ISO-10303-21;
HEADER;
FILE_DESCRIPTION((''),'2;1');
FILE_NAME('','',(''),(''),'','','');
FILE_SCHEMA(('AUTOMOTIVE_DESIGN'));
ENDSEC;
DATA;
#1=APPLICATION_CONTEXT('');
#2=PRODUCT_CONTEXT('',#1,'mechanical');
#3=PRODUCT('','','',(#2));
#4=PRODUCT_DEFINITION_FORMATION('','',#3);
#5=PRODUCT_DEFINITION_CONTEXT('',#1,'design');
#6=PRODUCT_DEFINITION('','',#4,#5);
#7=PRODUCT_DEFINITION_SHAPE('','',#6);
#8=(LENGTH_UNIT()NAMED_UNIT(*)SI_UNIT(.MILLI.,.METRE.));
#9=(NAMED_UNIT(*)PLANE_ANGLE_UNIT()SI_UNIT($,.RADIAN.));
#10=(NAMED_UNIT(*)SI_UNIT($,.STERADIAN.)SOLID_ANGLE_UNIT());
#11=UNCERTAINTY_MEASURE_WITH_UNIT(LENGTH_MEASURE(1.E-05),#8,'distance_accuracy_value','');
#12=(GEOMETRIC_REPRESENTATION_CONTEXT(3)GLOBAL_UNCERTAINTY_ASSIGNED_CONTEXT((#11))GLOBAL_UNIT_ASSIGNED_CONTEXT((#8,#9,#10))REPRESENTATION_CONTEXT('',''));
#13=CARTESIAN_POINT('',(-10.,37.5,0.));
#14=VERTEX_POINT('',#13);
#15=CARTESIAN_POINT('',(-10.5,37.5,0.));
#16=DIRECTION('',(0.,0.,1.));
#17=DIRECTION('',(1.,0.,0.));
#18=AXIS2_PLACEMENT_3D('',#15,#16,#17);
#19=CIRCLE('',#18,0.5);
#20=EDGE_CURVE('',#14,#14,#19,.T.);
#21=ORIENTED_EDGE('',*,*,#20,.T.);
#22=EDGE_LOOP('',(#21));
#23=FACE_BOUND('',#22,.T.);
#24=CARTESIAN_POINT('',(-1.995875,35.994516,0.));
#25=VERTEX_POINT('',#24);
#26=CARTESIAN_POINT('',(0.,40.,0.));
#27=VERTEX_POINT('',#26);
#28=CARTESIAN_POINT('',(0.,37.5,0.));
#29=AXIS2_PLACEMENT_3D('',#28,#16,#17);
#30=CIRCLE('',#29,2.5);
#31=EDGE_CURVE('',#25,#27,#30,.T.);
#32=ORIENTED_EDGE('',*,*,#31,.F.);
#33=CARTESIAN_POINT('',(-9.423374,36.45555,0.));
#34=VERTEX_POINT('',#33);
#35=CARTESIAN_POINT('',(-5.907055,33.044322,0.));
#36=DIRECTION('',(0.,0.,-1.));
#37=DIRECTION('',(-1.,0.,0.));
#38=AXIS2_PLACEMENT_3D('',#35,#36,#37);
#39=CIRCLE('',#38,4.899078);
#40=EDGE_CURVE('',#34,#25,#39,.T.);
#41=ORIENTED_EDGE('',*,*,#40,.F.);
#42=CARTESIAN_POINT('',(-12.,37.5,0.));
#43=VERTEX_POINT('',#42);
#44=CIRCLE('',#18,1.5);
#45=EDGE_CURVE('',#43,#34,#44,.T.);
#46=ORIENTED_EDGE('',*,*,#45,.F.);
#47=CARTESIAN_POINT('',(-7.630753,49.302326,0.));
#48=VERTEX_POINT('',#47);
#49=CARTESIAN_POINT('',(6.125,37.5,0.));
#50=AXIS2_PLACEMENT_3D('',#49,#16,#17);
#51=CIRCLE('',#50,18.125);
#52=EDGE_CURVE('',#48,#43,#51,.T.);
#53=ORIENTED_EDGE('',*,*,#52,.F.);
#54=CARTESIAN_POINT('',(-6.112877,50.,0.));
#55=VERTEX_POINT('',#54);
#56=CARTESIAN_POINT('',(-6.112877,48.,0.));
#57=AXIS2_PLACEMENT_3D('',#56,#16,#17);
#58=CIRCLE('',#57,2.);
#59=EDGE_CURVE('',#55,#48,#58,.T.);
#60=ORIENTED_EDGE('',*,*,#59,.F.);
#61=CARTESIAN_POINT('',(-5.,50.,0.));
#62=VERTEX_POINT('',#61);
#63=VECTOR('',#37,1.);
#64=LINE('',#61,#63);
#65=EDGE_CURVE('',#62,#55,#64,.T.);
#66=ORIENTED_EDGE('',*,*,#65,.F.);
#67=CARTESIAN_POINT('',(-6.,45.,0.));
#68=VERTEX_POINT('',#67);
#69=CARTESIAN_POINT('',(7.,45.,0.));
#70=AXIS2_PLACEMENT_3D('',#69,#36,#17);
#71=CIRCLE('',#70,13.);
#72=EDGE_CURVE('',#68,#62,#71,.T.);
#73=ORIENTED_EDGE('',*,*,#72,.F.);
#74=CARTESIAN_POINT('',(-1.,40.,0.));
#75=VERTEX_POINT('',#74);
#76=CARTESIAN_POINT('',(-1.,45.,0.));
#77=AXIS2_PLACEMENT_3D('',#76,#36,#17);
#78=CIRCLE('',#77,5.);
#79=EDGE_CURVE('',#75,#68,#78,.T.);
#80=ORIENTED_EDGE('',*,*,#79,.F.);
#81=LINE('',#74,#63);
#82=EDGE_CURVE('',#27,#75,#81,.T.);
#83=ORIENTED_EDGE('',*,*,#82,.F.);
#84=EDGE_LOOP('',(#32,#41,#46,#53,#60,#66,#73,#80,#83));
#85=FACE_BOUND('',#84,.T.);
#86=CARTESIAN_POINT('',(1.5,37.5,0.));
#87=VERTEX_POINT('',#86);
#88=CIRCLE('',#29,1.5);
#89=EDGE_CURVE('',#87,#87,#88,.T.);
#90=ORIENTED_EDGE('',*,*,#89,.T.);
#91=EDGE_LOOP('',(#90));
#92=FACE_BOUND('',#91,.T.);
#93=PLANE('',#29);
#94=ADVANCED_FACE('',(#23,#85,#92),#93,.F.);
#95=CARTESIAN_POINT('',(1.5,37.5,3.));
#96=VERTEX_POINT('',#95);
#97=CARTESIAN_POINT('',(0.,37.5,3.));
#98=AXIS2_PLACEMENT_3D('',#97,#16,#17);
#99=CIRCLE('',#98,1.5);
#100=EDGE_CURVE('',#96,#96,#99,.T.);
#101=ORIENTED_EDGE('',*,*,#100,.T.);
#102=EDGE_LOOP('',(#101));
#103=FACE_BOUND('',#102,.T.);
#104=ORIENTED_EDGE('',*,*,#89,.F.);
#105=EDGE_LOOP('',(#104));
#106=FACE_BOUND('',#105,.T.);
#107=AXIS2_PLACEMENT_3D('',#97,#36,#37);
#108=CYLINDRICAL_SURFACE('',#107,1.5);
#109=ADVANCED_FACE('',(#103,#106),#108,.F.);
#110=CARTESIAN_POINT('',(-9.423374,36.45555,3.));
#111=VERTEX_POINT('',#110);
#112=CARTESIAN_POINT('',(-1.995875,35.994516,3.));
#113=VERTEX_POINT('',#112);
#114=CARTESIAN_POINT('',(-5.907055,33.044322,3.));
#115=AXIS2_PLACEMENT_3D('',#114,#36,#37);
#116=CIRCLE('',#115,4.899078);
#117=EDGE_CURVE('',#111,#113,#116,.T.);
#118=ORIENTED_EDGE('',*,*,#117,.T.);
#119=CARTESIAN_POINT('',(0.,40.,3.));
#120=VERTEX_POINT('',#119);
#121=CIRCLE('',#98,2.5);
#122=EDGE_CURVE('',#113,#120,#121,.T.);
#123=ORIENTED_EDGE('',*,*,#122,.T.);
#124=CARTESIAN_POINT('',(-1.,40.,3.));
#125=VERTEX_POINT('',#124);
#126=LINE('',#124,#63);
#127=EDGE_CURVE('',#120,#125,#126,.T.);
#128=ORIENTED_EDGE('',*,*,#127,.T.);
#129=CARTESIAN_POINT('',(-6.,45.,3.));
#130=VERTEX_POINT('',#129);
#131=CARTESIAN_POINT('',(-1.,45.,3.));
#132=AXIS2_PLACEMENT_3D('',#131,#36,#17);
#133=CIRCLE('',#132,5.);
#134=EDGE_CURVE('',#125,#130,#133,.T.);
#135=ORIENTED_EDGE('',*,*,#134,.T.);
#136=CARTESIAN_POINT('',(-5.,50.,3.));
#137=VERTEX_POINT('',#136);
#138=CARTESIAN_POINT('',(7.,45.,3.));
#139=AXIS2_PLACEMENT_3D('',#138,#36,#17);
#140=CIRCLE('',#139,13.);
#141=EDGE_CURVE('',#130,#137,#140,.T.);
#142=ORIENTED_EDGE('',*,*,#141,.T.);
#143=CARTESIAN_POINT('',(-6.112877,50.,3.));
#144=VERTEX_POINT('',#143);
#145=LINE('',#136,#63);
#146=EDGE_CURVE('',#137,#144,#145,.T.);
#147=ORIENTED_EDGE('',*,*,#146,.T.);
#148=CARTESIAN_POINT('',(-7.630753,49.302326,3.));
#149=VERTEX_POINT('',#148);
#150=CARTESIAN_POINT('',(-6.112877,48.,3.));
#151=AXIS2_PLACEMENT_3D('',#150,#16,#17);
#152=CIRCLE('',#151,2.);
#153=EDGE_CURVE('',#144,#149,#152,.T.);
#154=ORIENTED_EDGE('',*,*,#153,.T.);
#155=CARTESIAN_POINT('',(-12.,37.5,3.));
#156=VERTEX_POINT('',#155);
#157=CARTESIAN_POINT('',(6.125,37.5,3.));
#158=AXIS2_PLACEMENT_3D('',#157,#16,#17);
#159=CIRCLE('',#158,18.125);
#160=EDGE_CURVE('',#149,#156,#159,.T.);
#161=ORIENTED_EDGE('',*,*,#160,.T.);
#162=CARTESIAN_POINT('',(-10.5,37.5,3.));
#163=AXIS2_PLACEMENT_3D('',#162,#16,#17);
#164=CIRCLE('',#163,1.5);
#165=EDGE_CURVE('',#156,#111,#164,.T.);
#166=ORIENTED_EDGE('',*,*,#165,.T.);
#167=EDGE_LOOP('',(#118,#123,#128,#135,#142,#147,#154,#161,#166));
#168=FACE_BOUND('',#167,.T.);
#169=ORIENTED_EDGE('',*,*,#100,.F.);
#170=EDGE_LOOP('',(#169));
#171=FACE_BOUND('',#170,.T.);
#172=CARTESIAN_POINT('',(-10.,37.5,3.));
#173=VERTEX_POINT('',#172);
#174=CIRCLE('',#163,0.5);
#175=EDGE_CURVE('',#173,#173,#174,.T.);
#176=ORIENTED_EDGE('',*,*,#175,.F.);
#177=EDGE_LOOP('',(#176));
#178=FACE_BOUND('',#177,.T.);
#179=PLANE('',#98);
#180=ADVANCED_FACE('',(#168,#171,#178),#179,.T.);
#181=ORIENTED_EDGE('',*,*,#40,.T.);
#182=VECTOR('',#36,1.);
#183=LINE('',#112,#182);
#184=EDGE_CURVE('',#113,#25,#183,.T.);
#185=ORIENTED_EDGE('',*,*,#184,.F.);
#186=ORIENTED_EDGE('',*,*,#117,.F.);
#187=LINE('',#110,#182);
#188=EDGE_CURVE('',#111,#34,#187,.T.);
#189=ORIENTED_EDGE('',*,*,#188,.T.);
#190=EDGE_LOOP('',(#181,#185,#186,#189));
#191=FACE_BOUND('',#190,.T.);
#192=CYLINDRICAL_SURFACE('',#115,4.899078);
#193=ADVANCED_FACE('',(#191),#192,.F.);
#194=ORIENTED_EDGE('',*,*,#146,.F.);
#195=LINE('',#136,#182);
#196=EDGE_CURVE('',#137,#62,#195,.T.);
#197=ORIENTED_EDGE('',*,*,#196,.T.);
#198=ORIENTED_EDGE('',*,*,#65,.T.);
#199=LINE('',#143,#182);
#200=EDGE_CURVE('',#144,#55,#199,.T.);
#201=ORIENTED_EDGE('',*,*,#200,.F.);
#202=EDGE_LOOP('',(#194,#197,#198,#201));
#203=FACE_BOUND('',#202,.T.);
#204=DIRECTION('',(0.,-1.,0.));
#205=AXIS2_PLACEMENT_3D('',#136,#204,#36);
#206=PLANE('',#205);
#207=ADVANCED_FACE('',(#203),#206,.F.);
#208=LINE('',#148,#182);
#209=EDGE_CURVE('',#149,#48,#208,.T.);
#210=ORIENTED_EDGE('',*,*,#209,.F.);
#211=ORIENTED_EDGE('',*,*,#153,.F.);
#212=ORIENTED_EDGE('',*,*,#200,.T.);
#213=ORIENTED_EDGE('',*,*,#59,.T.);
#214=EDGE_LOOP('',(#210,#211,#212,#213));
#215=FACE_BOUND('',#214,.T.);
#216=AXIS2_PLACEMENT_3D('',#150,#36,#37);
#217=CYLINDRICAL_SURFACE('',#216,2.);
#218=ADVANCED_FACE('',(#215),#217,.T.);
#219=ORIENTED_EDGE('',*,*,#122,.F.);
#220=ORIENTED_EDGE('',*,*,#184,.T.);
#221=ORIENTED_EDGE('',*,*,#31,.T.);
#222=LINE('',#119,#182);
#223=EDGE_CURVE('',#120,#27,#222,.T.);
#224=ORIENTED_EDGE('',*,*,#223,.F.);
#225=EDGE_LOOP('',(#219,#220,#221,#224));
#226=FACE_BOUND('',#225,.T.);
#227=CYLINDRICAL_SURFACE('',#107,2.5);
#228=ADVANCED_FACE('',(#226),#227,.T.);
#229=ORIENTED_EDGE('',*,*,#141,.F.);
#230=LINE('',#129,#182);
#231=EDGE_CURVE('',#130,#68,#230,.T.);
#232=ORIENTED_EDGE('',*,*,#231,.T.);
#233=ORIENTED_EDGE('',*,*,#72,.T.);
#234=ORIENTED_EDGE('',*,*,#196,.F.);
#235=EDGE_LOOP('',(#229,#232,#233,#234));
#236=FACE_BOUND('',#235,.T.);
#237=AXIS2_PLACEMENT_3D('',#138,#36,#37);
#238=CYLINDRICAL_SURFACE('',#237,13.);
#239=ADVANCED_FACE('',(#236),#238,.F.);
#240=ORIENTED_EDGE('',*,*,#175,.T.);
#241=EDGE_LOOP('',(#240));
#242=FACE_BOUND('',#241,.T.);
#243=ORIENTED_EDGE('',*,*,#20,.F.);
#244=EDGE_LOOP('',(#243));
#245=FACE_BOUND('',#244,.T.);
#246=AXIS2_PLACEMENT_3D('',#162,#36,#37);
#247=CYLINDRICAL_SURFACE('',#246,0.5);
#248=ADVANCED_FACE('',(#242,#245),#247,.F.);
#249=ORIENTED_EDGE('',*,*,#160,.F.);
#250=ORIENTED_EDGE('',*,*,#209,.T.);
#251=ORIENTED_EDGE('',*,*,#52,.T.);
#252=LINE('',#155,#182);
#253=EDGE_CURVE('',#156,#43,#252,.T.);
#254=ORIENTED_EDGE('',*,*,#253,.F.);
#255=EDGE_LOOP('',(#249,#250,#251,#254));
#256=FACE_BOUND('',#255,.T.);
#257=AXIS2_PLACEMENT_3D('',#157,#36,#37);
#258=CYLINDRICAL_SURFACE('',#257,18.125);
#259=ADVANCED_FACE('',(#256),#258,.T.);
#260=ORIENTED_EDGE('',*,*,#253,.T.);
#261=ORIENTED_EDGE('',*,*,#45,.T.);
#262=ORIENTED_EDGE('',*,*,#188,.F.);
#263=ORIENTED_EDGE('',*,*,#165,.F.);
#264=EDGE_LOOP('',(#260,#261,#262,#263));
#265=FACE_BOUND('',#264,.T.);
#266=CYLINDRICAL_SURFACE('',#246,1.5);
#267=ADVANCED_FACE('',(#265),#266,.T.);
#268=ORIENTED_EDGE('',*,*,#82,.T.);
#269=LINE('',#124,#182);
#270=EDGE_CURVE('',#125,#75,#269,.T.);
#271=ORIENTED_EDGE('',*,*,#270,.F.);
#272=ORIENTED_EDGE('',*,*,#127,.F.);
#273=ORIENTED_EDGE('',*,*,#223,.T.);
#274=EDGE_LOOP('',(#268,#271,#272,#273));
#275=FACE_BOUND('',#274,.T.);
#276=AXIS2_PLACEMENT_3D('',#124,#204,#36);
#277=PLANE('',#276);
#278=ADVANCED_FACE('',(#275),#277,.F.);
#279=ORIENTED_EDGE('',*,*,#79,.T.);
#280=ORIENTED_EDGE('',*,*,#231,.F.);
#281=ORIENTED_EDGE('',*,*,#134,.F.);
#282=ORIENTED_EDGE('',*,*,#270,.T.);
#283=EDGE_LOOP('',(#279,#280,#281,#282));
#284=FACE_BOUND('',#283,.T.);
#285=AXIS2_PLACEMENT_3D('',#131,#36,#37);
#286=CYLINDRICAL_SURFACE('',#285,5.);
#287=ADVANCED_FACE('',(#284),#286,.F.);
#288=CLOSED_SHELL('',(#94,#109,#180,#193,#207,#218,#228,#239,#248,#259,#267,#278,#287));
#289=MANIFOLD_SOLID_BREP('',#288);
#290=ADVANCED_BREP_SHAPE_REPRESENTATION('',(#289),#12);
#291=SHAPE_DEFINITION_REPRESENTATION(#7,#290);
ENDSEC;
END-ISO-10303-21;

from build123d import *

# Parameters (mm, degrees)
CROQUIS2_R              = 1.5
CROQUIS2_R_2            = 0.5
SALIENTE_EXTRUIR1_DEPTH = 3


with BuildPart() as part:
    # Croquis2 → Saliente-Extruir1 (new body)
    with BuildSketch(Plane.XY):
        with BuildLine():
            Line((-1, 40), (0, 40))
            ThreePointArc((0, 40), (2.237600264, 36.385035848), (-1.995875264, 35.994516047))
            ThreePointArc((-1.995875264, 35.994516047), (-5.603547267, 37.933990418), (-9.423373519, 36.455550183))
            ThreePointArc((-9.423373519, 36.455550183), (-11.063498127, 36.109866963), (-12, 37.5))
            ThreePointArc((-12, 37.5), (-10.872626967, 43.792559296), (-7.630752828, 49.302325581))
            ThreePointArc((-7.630752828, 49.302325581), (-6.948145724, 49.817230195), (-6.112876654, 50))
            Line((-6.112876654, 50), (-5, 50))
            ThreePointArc((-5, 50), (-5.747548784, 47.549509757), (-6, 45))
            ThreePointArc((-6, 45), (-4.535533906, 41.464466094), (-1, 40))
        make_face()
        with Locations((0, 37.5)):
            Circle(CROQUIS2_R, mode=Mode.SUBTRACT)
        with Locations((-10.5, 37.5)):
            Circle(CROQUIS2_R_2, mode=Mode.SUBTRACT)
    extrude(amount=SALIENTE_EXTRUIR1_DEPTH)


solid = part.part
